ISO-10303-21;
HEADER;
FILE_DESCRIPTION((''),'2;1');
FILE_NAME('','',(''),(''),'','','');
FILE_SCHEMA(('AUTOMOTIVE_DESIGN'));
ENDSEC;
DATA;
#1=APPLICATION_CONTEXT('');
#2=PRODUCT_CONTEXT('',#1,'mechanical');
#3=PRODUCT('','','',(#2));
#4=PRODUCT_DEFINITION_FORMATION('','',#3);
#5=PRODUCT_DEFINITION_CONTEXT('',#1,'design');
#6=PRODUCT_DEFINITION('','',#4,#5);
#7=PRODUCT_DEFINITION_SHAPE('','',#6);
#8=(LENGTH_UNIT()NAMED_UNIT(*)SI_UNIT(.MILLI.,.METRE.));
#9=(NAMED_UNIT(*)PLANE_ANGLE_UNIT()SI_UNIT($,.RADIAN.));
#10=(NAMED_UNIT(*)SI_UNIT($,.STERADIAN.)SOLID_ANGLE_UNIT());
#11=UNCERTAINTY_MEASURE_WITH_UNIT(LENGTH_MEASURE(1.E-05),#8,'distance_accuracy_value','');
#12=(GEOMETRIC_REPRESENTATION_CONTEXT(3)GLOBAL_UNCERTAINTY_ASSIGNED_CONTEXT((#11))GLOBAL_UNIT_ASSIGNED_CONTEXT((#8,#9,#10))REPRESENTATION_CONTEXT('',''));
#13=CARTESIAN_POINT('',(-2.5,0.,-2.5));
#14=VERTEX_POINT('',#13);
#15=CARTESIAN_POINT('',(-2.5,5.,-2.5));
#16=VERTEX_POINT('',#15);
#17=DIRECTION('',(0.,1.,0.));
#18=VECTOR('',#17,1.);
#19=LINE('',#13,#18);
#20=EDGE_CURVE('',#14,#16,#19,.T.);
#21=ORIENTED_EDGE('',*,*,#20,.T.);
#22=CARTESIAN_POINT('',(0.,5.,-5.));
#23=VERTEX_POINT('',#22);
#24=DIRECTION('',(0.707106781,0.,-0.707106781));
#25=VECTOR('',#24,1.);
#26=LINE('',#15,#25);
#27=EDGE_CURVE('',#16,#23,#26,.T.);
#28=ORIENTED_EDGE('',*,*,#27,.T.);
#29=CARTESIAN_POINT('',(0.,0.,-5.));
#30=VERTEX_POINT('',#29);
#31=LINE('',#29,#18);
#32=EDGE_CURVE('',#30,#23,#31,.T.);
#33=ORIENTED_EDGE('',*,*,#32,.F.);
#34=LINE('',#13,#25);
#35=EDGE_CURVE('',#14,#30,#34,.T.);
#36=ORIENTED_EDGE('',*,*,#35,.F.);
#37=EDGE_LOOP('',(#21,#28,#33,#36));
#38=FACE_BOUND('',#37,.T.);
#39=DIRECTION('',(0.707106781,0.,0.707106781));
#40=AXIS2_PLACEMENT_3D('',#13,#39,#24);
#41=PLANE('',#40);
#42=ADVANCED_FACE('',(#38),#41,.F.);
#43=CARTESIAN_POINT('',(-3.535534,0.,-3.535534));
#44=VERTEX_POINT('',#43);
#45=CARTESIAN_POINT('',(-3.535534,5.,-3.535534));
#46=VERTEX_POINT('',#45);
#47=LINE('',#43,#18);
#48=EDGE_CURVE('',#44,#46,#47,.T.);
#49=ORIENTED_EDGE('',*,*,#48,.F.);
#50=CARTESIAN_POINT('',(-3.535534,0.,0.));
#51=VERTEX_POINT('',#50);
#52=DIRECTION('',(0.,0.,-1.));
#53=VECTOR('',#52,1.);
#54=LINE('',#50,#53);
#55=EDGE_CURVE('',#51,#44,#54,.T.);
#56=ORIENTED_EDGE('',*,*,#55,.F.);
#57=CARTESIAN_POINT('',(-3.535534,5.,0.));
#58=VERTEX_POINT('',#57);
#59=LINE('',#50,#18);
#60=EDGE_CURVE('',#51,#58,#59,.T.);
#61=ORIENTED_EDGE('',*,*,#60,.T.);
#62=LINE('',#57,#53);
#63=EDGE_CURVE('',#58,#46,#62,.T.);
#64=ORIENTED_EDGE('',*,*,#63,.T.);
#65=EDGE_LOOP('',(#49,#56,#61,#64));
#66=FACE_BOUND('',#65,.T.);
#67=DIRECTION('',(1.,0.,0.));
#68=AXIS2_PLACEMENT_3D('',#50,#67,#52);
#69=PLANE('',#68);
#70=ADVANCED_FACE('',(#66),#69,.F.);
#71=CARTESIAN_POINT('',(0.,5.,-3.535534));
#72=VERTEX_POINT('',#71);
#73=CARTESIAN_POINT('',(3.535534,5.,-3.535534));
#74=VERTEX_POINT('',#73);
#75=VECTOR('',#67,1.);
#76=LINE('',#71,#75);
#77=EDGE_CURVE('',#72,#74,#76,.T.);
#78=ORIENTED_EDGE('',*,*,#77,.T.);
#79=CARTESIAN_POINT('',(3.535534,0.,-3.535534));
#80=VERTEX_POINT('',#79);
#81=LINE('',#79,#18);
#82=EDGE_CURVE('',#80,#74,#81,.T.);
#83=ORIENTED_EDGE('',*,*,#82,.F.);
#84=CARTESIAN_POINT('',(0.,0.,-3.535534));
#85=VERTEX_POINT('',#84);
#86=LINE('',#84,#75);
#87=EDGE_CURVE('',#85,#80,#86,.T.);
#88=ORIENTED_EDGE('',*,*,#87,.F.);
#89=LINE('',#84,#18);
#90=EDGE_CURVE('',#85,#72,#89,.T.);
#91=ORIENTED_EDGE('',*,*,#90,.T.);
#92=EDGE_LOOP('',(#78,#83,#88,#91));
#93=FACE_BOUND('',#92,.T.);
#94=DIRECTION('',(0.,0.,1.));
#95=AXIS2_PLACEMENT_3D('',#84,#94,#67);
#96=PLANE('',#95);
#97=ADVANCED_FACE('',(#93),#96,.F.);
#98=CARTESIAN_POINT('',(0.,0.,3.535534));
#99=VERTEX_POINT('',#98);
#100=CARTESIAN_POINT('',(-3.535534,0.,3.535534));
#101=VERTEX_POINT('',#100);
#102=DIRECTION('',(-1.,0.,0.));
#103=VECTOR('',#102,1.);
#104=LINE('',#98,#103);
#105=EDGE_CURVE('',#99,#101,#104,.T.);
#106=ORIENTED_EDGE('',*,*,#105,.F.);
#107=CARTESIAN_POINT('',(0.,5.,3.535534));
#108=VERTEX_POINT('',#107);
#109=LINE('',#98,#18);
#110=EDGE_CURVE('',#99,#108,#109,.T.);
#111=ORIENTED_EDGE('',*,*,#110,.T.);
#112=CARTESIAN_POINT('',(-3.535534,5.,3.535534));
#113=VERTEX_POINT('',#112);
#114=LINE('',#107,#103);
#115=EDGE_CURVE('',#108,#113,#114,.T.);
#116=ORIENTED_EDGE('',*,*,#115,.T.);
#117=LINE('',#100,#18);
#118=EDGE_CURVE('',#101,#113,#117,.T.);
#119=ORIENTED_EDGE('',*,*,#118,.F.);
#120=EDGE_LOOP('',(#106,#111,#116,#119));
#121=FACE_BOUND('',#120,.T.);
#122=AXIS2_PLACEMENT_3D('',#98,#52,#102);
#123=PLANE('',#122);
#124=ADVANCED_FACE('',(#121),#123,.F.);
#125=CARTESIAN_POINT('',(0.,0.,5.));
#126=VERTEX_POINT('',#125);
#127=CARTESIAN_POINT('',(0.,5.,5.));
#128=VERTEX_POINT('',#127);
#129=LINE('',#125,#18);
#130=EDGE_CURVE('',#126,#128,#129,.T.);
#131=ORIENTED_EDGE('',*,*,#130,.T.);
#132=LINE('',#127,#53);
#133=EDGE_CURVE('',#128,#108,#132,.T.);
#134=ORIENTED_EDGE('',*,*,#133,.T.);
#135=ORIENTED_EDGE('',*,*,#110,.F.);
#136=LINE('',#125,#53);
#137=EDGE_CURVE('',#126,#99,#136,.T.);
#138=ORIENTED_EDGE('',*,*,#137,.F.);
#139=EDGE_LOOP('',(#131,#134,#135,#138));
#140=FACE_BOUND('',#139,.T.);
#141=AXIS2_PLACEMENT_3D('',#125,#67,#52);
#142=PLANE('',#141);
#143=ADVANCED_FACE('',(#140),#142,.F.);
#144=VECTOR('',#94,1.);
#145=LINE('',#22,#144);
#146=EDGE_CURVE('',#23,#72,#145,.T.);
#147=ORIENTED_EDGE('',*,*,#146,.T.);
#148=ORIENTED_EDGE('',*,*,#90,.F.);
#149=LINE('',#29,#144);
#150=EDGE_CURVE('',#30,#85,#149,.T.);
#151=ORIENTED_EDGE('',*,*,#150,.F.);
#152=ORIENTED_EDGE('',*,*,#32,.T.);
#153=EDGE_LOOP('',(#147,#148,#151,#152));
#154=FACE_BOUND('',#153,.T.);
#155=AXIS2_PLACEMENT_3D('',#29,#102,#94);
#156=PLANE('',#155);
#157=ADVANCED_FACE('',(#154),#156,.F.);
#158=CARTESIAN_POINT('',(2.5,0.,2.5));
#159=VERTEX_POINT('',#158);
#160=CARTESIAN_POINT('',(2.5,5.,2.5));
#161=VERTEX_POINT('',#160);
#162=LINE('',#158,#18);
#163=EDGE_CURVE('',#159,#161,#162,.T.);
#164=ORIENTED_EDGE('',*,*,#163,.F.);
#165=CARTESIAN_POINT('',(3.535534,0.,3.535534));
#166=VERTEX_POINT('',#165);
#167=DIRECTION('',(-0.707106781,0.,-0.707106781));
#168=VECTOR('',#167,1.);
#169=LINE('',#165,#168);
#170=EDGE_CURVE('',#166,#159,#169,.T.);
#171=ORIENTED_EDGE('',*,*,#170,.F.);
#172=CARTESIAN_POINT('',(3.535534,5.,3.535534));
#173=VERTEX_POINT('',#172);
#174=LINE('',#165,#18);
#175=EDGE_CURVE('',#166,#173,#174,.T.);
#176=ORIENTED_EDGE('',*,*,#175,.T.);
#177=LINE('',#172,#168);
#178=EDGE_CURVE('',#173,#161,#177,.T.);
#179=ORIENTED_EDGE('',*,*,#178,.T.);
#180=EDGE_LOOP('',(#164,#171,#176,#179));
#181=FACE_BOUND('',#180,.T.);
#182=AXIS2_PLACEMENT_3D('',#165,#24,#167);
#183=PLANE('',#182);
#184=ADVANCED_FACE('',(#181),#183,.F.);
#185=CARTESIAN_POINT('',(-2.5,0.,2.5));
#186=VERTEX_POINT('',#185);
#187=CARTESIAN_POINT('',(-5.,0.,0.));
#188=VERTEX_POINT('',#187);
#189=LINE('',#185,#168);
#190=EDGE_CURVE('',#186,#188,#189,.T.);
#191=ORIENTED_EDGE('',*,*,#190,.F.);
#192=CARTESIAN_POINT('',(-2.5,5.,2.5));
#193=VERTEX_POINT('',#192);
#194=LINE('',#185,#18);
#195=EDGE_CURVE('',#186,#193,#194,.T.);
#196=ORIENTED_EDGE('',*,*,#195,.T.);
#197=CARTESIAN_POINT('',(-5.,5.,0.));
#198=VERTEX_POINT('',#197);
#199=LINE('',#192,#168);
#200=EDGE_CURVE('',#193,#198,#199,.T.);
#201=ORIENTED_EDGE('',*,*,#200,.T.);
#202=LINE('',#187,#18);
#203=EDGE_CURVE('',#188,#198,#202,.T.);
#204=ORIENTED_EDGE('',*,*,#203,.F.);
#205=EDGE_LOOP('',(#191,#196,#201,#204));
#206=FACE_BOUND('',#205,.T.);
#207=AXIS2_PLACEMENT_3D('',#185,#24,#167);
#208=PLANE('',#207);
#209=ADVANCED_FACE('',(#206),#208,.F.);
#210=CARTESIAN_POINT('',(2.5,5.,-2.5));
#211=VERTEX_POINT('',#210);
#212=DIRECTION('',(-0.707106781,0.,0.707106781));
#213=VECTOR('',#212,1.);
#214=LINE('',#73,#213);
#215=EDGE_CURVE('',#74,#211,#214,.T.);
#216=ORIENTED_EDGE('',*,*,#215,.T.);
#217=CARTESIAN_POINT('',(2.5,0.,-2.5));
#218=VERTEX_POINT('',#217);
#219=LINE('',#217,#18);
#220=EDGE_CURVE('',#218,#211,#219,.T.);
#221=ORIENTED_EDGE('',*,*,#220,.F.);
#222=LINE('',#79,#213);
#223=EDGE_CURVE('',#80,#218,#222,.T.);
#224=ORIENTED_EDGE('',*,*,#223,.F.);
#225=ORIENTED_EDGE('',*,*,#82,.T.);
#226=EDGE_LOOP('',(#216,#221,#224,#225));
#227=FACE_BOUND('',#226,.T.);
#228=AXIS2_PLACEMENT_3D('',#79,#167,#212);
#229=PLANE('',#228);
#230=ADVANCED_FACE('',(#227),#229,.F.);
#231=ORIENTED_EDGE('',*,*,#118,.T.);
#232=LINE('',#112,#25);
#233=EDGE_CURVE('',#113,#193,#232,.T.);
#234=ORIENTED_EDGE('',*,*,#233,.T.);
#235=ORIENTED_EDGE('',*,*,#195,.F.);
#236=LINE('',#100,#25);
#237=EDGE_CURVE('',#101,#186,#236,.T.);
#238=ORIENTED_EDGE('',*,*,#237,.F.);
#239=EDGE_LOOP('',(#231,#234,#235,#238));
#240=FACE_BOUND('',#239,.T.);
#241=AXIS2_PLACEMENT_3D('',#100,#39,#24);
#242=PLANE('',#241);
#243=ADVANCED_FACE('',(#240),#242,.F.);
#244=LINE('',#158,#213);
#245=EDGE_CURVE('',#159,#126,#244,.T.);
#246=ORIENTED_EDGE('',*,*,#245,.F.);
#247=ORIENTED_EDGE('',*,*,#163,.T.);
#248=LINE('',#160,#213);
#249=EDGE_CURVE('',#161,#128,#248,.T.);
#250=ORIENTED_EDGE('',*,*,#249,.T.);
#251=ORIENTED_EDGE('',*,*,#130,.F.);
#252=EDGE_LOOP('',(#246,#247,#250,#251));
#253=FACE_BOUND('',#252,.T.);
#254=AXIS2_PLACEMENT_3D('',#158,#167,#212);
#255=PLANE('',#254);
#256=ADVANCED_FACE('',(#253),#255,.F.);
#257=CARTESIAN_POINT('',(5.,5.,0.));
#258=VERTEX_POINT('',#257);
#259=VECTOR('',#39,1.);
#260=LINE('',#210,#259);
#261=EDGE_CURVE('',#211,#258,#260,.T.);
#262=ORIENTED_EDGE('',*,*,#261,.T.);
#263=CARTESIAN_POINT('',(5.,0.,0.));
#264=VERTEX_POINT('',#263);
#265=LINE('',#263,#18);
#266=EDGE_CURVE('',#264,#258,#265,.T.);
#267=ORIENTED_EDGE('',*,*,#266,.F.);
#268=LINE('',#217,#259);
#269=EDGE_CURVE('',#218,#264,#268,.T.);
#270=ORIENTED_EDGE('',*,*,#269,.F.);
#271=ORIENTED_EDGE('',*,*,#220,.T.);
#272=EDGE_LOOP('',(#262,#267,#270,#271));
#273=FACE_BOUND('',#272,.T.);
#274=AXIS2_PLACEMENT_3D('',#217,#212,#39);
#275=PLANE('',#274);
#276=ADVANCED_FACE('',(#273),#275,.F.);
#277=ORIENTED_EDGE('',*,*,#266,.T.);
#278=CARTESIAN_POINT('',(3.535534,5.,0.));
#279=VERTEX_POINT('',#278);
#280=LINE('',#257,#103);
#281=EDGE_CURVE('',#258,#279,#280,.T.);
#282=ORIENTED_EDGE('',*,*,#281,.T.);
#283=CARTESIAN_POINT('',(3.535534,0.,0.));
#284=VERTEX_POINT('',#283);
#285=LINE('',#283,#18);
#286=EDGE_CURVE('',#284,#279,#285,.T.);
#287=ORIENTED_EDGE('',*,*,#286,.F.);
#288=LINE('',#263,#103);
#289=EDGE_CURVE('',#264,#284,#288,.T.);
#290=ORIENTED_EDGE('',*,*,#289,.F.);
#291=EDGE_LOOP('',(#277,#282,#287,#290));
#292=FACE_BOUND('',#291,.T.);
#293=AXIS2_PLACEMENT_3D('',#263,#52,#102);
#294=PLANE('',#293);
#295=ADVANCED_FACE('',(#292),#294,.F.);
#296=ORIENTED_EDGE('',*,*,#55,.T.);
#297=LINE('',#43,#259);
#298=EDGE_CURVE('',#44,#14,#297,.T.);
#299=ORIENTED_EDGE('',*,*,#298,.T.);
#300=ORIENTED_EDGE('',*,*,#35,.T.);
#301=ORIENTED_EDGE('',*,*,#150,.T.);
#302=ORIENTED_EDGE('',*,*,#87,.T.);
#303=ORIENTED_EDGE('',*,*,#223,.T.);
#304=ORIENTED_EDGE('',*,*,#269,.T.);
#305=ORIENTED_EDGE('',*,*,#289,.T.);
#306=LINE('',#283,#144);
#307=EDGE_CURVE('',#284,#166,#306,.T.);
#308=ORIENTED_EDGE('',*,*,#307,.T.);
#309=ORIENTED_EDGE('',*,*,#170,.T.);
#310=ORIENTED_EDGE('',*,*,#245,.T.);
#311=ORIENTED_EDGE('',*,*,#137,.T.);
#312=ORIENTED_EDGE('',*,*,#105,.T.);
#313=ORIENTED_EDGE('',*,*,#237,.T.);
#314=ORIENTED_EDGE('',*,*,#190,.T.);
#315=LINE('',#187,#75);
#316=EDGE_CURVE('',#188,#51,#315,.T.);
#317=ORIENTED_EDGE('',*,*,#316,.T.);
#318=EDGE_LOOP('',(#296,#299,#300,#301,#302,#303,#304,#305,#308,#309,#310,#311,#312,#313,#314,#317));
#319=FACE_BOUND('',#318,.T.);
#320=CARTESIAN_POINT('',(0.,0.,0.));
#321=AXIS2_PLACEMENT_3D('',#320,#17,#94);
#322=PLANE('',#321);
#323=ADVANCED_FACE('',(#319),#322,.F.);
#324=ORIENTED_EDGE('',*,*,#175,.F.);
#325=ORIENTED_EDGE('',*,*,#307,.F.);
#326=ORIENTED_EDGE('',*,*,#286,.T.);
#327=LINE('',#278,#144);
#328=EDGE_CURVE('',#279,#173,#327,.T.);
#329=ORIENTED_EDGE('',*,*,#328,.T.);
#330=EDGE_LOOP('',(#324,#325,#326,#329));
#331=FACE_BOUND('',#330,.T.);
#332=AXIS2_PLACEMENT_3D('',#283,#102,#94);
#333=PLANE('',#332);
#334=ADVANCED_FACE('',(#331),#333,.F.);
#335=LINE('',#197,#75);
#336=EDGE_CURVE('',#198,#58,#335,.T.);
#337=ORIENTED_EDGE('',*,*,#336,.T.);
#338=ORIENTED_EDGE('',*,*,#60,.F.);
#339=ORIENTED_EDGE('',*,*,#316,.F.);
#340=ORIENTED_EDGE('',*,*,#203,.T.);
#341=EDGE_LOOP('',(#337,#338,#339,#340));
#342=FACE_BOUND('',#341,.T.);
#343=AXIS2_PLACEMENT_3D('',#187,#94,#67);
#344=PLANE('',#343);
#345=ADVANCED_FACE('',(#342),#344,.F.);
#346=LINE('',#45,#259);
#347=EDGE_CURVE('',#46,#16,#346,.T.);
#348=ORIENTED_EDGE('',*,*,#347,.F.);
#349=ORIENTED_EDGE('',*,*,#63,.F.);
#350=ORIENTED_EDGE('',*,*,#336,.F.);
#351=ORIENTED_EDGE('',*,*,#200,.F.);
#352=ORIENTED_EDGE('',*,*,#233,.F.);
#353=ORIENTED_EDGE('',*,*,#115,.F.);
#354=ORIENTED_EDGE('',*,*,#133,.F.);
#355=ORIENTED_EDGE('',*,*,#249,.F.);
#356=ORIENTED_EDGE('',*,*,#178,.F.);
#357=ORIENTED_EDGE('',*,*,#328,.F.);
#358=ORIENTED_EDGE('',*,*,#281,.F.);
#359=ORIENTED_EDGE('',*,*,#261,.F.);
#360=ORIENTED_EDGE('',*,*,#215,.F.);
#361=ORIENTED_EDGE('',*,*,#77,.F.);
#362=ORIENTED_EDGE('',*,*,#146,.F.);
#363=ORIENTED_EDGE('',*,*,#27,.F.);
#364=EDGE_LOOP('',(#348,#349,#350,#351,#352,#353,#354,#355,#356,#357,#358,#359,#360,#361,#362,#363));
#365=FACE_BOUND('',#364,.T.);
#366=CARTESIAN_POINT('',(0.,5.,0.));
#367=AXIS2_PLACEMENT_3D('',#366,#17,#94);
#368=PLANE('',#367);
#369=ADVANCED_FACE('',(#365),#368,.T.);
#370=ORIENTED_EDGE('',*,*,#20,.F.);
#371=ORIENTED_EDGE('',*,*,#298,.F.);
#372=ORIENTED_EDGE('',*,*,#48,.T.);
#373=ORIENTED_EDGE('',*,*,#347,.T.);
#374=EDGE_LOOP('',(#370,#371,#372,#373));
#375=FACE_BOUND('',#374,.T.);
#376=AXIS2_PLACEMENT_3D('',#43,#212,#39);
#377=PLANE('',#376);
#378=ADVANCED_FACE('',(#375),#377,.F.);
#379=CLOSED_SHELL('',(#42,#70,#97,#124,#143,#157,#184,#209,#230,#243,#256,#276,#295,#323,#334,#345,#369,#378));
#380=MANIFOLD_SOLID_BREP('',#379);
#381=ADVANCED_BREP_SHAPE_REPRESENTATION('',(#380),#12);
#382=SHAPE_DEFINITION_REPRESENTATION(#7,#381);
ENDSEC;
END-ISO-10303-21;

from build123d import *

# Parameters (mm, degrees)
SKETCH1_R           = 5
BOSS_EXTRUDE1_DEPTH = 5
CUT_EXTRUDE1_DEPTH  = 9.660254038
CIRPATTERN1_COUNT   = 8


with BuildPart() as part:
    # Sketch1 → Boss-Extrude1 (new body)
    with BuildSketch(Plane(origin=(0, 0, 0), x_dir=(1, 0, 0), z_dir=(0, 1, 0))):
        Circle(SKETCH1_R)
    extrude(amount=BOSS_EXTRUDE1_DEPTH)

    # Sketch2 → Cut-Extrude1 (cut, through all)
    with BuildSketch(Plane(origin=(0, 5, 0), x_dir=(1, 0, 0), z_dir=(0, 1, 0))):
        with BuildLine():
            Line((0, 5), (0, 3.535533906))
            Line((0, 3.535533906), (3.535533906, 3.535533906))
            ThreePointArc((3.535533906, 3.535533906), (1.913417162, 4.619397663), (0, 5))
        make_face()
    cut_extrude1 = extrude(amount=-CUT_EXTRUDE1_DEPTH, mode=Mode.SUBTRACT)

    # CirPattern1: Cut-Extrude1 ×8 about axis
    cirpattern1_axis = Axis((0, 5, 0), (0, 1, 0))
    for i in range(1, CIRPATTERN1_COUNT):
        add(cut_extrude1.rotate(cirpattern1_axis, i * 360 / CIRPATTERN1_COUNT), mode=Mode.SUBTRACT)


solid = part.part
